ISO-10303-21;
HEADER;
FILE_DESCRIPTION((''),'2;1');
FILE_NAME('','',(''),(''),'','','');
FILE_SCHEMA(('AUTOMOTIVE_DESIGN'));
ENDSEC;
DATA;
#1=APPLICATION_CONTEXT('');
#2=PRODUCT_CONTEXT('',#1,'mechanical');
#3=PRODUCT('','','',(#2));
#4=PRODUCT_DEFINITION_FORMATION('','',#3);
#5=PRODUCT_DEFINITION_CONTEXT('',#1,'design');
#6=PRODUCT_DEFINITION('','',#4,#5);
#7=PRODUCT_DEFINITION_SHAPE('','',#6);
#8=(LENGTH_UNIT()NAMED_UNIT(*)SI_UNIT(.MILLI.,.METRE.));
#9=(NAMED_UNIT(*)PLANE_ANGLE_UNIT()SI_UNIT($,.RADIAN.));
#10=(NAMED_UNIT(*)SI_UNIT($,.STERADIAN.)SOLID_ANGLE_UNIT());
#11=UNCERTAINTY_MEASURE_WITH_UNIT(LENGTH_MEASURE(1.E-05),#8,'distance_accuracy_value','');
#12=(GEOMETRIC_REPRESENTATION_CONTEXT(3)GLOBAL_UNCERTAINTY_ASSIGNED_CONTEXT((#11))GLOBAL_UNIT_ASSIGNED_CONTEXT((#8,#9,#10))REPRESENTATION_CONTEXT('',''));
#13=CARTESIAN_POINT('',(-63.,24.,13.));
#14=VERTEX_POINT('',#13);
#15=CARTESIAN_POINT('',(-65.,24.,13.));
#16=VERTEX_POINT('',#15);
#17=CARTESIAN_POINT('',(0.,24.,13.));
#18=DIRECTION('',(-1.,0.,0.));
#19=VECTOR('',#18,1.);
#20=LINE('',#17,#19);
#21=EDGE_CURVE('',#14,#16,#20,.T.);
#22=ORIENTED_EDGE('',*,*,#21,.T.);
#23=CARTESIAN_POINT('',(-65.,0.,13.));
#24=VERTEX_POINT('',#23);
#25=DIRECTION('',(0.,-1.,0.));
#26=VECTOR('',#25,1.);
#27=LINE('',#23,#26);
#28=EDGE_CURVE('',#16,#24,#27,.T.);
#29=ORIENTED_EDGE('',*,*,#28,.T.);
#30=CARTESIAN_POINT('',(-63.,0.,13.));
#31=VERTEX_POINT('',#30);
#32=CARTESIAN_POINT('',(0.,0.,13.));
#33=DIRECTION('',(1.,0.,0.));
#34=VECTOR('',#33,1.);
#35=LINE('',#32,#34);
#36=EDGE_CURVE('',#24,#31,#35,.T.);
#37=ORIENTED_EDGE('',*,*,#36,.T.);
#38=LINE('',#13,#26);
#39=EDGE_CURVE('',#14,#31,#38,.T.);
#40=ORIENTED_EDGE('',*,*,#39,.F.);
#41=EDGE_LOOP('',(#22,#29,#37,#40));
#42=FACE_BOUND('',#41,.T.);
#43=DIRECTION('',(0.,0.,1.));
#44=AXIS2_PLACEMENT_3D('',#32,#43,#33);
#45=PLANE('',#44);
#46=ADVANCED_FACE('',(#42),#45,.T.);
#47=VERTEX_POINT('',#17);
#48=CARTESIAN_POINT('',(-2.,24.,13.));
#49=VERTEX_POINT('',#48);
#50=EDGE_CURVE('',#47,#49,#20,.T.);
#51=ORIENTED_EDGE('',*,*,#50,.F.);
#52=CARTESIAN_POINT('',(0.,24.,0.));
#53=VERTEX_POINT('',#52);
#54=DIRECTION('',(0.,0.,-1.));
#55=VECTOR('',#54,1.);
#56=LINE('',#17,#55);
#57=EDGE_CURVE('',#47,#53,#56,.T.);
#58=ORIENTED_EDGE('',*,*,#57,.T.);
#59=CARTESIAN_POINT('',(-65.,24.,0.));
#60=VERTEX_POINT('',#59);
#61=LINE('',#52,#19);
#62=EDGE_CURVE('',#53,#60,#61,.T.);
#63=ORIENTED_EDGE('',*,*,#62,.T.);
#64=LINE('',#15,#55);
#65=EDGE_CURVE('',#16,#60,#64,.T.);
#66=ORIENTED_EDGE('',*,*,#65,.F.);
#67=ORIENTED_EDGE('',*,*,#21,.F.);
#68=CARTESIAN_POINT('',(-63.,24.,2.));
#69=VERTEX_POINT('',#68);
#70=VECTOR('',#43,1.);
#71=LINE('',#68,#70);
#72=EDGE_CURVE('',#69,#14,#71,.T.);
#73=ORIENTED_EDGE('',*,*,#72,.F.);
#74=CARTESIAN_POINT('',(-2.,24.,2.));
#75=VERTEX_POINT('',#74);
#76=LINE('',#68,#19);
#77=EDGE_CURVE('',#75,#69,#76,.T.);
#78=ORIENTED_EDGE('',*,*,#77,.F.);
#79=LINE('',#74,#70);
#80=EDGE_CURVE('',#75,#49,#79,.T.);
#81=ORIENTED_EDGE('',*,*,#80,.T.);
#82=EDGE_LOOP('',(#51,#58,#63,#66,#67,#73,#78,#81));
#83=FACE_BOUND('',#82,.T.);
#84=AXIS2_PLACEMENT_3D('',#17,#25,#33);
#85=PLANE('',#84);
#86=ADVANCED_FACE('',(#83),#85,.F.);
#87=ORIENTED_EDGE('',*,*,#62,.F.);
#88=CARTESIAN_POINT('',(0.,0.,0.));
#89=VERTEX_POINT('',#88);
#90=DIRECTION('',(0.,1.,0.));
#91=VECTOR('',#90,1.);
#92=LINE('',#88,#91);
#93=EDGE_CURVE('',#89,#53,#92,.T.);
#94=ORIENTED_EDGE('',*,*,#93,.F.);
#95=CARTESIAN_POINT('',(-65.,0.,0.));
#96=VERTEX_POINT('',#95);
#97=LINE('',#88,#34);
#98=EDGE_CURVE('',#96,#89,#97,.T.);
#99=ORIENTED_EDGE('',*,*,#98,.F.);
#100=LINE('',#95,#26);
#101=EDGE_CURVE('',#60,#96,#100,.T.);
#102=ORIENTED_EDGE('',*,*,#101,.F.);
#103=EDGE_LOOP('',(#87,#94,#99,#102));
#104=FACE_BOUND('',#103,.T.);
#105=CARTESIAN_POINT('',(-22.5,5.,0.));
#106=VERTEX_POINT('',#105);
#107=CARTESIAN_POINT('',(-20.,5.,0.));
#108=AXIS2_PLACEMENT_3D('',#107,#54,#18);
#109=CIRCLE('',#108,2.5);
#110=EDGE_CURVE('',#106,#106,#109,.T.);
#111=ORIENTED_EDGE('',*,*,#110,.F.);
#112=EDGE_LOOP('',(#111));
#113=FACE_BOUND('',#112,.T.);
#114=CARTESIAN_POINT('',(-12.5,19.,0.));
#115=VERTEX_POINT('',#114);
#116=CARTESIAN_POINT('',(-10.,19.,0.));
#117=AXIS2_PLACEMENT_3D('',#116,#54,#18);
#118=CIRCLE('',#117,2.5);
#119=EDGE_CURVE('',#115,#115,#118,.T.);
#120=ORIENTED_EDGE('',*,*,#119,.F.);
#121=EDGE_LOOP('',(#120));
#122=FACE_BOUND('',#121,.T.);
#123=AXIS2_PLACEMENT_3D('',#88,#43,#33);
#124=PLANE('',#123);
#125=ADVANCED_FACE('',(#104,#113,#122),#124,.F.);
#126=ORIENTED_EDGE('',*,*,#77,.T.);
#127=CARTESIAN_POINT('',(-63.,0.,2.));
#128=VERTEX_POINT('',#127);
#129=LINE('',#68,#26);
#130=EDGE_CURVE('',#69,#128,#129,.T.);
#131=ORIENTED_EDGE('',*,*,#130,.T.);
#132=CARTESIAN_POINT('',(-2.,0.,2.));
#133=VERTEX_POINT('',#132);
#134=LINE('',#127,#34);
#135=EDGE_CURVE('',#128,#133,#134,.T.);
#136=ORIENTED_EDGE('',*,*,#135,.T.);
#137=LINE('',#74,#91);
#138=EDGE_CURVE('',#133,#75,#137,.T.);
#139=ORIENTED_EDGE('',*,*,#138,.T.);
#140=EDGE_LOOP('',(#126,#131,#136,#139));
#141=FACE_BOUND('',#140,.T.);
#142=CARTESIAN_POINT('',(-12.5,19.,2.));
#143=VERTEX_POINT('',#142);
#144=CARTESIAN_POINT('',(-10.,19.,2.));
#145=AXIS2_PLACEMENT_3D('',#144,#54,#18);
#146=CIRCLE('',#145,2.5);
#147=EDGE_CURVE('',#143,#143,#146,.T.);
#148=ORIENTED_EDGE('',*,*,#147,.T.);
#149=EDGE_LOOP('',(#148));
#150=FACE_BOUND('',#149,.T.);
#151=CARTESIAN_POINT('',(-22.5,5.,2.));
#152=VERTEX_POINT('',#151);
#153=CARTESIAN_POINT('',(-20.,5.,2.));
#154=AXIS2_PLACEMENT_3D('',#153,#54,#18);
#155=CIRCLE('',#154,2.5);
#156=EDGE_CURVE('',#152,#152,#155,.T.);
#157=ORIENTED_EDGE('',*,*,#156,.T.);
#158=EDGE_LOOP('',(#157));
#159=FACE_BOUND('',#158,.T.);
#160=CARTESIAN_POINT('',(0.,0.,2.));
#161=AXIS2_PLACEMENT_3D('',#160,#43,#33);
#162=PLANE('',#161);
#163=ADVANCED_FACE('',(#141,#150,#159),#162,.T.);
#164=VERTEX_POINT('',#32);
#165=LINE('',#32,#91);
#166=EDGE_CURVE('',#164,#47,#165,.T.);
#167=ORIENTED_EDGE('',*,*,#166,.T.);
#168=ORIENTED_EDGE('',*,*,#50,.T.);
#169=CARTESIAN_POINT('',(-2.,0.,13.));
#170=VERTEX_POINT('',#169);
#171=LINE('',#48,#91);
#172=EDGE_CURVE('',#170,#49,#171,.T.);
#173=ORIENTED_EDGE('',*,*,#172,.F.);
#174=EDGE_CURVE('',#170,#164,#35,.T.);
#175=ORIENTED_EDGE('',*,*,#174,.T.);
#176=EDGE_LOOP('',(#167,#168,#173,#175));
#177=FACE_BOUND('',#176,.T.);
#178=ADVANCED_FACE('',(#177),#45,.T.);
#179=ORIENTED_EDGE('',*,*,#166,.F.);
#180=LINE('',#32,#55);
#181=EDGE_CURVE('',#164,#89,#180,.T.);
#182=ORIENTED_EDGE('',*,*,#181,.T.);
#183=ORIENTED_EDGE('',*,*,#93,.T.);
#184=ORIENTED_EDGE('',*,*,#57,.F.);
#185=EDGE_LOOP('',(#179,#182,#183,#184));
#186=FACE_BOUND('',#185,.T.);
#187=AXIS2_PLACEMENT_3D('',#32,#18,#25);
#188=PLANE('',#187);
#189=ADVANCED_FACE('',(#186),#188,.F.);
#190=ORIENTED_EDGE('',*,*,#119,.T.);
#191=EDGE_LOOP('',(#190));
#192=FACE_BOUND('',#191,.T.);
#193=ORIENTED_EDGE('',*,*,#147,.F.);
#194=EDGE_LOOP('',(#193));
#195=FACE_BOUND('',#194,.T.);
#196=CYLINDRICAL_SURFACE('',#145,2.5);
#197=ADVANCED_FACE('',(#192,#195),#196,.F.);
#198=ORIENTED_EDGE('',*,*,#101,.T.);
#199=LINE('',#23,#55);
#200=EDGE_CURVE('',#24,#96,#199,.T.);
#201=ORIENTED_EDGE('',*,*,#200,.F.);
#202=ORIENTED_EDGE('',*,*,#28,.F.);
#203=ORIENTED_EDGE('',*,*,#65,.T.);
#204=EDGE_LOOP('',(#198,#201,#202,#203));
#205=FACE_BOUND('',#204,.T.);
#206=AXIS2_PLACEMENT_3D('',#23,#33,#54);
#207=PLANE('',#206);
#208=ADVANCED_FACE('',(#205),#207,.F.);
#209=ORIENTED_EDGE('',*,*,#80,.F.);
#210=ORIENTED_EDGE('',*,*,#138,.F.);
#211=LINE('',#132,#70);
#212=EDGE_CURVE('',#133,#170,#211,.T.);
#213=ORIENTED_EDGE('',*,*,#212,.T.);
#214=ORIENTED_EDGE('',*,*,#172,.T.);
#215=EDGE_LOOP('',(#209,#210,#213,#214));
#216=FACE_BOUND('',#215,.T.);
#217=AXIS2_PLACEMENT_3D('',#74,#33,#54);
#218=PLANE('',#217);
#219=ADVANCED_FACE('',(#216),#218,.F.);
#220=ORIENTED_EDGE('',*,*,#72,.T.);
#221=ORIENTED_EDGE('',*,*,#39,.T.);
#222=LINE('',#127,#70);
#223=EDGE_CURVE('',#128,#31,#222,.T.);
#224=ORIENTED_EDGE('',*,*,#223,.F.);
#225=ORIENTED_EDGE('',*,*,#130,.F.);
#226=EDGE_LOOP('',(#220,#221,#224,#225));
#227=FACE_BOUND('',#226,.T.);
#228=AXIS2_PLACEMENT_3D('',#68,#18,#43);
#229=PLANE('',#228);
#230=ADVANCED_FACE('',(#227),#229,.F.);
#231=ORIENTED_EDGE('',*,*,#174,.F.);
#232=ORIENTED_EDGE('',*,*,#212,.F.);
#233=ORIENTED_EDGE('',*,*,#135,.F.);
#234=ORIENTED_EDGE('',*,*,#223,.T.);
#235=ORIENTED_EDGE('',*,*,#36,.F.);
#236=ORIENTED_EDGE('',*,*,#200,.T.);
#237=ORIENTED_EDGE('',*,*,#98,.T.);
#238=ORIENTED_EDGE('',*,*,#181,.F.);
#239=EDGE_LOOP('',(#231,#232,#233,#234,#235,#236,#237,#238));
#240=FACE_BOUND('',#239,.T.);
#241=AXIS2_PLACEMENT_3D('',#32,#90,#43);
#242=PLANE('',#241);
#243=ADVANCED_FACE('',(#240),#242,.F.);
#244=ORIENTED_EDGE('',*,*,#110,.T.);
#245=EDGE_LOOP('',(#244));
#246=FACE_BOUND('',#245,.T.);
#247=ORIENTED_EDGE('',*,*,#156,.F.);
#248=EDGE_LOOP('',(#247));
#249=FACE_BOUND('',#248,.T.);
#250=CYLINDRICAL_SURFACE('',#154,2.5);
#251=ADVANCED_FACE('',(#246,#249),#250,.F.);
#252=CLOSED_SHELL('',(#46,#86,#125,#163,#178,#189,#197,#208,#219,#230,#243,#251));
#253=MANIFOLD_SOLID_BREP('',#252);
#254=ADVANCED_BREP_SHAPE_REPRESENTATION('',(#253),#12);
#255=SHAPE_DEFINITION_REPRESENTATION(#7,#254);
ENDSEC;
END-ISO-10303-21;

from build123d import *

# Parameters (mm, degrees)
SKETCH_1_W          = 65
SKETCH_1_H          = 24
EXTRUDE_1_DEPTH     = 13
SKETCH_2_W          = 61
SKETCH_2_H          = 24
CUT_EXTRUDE_1_DEPTH = 11
SKETCH_14_R         = 2.5
CUT_EXTRUDE_2_DEPTH = 2


with BuildPart() as part:
    # 草圖1 → 填料-伸長1 (new body)
    with BuildSketch(Plane.XY):
        with Locations((-32.5, 12)):
            Rectangle(SKETCH_1_W, SKETCH_1_H)
    extrude(amount=EXTRUDE_1_DEPTH)

    # 草圖2 → 除料-伸長1 (cut)
    with BuildSketch(Plane.XY.offset(13)):
        with Locations((-32.5, 12)):
            Rectangle(SKETCH_2_W, SKETCH_2_H)
    extrude(amount=-CUT_EXTRUDE_1_DEPTH, mode=Mode.SUBTRACT)

    # 草圖14 → 除料-伸長2 (cut)
    with BuildSketch(Plane(origin=(0, 0, 0), x_dir=(-1, 0, 0), z_dir=(0, 0, -1))):
        with Locations((10, 19)):
            Circle(SKETCH_14_R)
        with Locations((20, 5)):
            Circle(SKETCH_14_R)
    extrude(amount=-CUT_EXTRUDE_2_DEPTH, mode=Mode.SUBTRACT)


solid = part.part
